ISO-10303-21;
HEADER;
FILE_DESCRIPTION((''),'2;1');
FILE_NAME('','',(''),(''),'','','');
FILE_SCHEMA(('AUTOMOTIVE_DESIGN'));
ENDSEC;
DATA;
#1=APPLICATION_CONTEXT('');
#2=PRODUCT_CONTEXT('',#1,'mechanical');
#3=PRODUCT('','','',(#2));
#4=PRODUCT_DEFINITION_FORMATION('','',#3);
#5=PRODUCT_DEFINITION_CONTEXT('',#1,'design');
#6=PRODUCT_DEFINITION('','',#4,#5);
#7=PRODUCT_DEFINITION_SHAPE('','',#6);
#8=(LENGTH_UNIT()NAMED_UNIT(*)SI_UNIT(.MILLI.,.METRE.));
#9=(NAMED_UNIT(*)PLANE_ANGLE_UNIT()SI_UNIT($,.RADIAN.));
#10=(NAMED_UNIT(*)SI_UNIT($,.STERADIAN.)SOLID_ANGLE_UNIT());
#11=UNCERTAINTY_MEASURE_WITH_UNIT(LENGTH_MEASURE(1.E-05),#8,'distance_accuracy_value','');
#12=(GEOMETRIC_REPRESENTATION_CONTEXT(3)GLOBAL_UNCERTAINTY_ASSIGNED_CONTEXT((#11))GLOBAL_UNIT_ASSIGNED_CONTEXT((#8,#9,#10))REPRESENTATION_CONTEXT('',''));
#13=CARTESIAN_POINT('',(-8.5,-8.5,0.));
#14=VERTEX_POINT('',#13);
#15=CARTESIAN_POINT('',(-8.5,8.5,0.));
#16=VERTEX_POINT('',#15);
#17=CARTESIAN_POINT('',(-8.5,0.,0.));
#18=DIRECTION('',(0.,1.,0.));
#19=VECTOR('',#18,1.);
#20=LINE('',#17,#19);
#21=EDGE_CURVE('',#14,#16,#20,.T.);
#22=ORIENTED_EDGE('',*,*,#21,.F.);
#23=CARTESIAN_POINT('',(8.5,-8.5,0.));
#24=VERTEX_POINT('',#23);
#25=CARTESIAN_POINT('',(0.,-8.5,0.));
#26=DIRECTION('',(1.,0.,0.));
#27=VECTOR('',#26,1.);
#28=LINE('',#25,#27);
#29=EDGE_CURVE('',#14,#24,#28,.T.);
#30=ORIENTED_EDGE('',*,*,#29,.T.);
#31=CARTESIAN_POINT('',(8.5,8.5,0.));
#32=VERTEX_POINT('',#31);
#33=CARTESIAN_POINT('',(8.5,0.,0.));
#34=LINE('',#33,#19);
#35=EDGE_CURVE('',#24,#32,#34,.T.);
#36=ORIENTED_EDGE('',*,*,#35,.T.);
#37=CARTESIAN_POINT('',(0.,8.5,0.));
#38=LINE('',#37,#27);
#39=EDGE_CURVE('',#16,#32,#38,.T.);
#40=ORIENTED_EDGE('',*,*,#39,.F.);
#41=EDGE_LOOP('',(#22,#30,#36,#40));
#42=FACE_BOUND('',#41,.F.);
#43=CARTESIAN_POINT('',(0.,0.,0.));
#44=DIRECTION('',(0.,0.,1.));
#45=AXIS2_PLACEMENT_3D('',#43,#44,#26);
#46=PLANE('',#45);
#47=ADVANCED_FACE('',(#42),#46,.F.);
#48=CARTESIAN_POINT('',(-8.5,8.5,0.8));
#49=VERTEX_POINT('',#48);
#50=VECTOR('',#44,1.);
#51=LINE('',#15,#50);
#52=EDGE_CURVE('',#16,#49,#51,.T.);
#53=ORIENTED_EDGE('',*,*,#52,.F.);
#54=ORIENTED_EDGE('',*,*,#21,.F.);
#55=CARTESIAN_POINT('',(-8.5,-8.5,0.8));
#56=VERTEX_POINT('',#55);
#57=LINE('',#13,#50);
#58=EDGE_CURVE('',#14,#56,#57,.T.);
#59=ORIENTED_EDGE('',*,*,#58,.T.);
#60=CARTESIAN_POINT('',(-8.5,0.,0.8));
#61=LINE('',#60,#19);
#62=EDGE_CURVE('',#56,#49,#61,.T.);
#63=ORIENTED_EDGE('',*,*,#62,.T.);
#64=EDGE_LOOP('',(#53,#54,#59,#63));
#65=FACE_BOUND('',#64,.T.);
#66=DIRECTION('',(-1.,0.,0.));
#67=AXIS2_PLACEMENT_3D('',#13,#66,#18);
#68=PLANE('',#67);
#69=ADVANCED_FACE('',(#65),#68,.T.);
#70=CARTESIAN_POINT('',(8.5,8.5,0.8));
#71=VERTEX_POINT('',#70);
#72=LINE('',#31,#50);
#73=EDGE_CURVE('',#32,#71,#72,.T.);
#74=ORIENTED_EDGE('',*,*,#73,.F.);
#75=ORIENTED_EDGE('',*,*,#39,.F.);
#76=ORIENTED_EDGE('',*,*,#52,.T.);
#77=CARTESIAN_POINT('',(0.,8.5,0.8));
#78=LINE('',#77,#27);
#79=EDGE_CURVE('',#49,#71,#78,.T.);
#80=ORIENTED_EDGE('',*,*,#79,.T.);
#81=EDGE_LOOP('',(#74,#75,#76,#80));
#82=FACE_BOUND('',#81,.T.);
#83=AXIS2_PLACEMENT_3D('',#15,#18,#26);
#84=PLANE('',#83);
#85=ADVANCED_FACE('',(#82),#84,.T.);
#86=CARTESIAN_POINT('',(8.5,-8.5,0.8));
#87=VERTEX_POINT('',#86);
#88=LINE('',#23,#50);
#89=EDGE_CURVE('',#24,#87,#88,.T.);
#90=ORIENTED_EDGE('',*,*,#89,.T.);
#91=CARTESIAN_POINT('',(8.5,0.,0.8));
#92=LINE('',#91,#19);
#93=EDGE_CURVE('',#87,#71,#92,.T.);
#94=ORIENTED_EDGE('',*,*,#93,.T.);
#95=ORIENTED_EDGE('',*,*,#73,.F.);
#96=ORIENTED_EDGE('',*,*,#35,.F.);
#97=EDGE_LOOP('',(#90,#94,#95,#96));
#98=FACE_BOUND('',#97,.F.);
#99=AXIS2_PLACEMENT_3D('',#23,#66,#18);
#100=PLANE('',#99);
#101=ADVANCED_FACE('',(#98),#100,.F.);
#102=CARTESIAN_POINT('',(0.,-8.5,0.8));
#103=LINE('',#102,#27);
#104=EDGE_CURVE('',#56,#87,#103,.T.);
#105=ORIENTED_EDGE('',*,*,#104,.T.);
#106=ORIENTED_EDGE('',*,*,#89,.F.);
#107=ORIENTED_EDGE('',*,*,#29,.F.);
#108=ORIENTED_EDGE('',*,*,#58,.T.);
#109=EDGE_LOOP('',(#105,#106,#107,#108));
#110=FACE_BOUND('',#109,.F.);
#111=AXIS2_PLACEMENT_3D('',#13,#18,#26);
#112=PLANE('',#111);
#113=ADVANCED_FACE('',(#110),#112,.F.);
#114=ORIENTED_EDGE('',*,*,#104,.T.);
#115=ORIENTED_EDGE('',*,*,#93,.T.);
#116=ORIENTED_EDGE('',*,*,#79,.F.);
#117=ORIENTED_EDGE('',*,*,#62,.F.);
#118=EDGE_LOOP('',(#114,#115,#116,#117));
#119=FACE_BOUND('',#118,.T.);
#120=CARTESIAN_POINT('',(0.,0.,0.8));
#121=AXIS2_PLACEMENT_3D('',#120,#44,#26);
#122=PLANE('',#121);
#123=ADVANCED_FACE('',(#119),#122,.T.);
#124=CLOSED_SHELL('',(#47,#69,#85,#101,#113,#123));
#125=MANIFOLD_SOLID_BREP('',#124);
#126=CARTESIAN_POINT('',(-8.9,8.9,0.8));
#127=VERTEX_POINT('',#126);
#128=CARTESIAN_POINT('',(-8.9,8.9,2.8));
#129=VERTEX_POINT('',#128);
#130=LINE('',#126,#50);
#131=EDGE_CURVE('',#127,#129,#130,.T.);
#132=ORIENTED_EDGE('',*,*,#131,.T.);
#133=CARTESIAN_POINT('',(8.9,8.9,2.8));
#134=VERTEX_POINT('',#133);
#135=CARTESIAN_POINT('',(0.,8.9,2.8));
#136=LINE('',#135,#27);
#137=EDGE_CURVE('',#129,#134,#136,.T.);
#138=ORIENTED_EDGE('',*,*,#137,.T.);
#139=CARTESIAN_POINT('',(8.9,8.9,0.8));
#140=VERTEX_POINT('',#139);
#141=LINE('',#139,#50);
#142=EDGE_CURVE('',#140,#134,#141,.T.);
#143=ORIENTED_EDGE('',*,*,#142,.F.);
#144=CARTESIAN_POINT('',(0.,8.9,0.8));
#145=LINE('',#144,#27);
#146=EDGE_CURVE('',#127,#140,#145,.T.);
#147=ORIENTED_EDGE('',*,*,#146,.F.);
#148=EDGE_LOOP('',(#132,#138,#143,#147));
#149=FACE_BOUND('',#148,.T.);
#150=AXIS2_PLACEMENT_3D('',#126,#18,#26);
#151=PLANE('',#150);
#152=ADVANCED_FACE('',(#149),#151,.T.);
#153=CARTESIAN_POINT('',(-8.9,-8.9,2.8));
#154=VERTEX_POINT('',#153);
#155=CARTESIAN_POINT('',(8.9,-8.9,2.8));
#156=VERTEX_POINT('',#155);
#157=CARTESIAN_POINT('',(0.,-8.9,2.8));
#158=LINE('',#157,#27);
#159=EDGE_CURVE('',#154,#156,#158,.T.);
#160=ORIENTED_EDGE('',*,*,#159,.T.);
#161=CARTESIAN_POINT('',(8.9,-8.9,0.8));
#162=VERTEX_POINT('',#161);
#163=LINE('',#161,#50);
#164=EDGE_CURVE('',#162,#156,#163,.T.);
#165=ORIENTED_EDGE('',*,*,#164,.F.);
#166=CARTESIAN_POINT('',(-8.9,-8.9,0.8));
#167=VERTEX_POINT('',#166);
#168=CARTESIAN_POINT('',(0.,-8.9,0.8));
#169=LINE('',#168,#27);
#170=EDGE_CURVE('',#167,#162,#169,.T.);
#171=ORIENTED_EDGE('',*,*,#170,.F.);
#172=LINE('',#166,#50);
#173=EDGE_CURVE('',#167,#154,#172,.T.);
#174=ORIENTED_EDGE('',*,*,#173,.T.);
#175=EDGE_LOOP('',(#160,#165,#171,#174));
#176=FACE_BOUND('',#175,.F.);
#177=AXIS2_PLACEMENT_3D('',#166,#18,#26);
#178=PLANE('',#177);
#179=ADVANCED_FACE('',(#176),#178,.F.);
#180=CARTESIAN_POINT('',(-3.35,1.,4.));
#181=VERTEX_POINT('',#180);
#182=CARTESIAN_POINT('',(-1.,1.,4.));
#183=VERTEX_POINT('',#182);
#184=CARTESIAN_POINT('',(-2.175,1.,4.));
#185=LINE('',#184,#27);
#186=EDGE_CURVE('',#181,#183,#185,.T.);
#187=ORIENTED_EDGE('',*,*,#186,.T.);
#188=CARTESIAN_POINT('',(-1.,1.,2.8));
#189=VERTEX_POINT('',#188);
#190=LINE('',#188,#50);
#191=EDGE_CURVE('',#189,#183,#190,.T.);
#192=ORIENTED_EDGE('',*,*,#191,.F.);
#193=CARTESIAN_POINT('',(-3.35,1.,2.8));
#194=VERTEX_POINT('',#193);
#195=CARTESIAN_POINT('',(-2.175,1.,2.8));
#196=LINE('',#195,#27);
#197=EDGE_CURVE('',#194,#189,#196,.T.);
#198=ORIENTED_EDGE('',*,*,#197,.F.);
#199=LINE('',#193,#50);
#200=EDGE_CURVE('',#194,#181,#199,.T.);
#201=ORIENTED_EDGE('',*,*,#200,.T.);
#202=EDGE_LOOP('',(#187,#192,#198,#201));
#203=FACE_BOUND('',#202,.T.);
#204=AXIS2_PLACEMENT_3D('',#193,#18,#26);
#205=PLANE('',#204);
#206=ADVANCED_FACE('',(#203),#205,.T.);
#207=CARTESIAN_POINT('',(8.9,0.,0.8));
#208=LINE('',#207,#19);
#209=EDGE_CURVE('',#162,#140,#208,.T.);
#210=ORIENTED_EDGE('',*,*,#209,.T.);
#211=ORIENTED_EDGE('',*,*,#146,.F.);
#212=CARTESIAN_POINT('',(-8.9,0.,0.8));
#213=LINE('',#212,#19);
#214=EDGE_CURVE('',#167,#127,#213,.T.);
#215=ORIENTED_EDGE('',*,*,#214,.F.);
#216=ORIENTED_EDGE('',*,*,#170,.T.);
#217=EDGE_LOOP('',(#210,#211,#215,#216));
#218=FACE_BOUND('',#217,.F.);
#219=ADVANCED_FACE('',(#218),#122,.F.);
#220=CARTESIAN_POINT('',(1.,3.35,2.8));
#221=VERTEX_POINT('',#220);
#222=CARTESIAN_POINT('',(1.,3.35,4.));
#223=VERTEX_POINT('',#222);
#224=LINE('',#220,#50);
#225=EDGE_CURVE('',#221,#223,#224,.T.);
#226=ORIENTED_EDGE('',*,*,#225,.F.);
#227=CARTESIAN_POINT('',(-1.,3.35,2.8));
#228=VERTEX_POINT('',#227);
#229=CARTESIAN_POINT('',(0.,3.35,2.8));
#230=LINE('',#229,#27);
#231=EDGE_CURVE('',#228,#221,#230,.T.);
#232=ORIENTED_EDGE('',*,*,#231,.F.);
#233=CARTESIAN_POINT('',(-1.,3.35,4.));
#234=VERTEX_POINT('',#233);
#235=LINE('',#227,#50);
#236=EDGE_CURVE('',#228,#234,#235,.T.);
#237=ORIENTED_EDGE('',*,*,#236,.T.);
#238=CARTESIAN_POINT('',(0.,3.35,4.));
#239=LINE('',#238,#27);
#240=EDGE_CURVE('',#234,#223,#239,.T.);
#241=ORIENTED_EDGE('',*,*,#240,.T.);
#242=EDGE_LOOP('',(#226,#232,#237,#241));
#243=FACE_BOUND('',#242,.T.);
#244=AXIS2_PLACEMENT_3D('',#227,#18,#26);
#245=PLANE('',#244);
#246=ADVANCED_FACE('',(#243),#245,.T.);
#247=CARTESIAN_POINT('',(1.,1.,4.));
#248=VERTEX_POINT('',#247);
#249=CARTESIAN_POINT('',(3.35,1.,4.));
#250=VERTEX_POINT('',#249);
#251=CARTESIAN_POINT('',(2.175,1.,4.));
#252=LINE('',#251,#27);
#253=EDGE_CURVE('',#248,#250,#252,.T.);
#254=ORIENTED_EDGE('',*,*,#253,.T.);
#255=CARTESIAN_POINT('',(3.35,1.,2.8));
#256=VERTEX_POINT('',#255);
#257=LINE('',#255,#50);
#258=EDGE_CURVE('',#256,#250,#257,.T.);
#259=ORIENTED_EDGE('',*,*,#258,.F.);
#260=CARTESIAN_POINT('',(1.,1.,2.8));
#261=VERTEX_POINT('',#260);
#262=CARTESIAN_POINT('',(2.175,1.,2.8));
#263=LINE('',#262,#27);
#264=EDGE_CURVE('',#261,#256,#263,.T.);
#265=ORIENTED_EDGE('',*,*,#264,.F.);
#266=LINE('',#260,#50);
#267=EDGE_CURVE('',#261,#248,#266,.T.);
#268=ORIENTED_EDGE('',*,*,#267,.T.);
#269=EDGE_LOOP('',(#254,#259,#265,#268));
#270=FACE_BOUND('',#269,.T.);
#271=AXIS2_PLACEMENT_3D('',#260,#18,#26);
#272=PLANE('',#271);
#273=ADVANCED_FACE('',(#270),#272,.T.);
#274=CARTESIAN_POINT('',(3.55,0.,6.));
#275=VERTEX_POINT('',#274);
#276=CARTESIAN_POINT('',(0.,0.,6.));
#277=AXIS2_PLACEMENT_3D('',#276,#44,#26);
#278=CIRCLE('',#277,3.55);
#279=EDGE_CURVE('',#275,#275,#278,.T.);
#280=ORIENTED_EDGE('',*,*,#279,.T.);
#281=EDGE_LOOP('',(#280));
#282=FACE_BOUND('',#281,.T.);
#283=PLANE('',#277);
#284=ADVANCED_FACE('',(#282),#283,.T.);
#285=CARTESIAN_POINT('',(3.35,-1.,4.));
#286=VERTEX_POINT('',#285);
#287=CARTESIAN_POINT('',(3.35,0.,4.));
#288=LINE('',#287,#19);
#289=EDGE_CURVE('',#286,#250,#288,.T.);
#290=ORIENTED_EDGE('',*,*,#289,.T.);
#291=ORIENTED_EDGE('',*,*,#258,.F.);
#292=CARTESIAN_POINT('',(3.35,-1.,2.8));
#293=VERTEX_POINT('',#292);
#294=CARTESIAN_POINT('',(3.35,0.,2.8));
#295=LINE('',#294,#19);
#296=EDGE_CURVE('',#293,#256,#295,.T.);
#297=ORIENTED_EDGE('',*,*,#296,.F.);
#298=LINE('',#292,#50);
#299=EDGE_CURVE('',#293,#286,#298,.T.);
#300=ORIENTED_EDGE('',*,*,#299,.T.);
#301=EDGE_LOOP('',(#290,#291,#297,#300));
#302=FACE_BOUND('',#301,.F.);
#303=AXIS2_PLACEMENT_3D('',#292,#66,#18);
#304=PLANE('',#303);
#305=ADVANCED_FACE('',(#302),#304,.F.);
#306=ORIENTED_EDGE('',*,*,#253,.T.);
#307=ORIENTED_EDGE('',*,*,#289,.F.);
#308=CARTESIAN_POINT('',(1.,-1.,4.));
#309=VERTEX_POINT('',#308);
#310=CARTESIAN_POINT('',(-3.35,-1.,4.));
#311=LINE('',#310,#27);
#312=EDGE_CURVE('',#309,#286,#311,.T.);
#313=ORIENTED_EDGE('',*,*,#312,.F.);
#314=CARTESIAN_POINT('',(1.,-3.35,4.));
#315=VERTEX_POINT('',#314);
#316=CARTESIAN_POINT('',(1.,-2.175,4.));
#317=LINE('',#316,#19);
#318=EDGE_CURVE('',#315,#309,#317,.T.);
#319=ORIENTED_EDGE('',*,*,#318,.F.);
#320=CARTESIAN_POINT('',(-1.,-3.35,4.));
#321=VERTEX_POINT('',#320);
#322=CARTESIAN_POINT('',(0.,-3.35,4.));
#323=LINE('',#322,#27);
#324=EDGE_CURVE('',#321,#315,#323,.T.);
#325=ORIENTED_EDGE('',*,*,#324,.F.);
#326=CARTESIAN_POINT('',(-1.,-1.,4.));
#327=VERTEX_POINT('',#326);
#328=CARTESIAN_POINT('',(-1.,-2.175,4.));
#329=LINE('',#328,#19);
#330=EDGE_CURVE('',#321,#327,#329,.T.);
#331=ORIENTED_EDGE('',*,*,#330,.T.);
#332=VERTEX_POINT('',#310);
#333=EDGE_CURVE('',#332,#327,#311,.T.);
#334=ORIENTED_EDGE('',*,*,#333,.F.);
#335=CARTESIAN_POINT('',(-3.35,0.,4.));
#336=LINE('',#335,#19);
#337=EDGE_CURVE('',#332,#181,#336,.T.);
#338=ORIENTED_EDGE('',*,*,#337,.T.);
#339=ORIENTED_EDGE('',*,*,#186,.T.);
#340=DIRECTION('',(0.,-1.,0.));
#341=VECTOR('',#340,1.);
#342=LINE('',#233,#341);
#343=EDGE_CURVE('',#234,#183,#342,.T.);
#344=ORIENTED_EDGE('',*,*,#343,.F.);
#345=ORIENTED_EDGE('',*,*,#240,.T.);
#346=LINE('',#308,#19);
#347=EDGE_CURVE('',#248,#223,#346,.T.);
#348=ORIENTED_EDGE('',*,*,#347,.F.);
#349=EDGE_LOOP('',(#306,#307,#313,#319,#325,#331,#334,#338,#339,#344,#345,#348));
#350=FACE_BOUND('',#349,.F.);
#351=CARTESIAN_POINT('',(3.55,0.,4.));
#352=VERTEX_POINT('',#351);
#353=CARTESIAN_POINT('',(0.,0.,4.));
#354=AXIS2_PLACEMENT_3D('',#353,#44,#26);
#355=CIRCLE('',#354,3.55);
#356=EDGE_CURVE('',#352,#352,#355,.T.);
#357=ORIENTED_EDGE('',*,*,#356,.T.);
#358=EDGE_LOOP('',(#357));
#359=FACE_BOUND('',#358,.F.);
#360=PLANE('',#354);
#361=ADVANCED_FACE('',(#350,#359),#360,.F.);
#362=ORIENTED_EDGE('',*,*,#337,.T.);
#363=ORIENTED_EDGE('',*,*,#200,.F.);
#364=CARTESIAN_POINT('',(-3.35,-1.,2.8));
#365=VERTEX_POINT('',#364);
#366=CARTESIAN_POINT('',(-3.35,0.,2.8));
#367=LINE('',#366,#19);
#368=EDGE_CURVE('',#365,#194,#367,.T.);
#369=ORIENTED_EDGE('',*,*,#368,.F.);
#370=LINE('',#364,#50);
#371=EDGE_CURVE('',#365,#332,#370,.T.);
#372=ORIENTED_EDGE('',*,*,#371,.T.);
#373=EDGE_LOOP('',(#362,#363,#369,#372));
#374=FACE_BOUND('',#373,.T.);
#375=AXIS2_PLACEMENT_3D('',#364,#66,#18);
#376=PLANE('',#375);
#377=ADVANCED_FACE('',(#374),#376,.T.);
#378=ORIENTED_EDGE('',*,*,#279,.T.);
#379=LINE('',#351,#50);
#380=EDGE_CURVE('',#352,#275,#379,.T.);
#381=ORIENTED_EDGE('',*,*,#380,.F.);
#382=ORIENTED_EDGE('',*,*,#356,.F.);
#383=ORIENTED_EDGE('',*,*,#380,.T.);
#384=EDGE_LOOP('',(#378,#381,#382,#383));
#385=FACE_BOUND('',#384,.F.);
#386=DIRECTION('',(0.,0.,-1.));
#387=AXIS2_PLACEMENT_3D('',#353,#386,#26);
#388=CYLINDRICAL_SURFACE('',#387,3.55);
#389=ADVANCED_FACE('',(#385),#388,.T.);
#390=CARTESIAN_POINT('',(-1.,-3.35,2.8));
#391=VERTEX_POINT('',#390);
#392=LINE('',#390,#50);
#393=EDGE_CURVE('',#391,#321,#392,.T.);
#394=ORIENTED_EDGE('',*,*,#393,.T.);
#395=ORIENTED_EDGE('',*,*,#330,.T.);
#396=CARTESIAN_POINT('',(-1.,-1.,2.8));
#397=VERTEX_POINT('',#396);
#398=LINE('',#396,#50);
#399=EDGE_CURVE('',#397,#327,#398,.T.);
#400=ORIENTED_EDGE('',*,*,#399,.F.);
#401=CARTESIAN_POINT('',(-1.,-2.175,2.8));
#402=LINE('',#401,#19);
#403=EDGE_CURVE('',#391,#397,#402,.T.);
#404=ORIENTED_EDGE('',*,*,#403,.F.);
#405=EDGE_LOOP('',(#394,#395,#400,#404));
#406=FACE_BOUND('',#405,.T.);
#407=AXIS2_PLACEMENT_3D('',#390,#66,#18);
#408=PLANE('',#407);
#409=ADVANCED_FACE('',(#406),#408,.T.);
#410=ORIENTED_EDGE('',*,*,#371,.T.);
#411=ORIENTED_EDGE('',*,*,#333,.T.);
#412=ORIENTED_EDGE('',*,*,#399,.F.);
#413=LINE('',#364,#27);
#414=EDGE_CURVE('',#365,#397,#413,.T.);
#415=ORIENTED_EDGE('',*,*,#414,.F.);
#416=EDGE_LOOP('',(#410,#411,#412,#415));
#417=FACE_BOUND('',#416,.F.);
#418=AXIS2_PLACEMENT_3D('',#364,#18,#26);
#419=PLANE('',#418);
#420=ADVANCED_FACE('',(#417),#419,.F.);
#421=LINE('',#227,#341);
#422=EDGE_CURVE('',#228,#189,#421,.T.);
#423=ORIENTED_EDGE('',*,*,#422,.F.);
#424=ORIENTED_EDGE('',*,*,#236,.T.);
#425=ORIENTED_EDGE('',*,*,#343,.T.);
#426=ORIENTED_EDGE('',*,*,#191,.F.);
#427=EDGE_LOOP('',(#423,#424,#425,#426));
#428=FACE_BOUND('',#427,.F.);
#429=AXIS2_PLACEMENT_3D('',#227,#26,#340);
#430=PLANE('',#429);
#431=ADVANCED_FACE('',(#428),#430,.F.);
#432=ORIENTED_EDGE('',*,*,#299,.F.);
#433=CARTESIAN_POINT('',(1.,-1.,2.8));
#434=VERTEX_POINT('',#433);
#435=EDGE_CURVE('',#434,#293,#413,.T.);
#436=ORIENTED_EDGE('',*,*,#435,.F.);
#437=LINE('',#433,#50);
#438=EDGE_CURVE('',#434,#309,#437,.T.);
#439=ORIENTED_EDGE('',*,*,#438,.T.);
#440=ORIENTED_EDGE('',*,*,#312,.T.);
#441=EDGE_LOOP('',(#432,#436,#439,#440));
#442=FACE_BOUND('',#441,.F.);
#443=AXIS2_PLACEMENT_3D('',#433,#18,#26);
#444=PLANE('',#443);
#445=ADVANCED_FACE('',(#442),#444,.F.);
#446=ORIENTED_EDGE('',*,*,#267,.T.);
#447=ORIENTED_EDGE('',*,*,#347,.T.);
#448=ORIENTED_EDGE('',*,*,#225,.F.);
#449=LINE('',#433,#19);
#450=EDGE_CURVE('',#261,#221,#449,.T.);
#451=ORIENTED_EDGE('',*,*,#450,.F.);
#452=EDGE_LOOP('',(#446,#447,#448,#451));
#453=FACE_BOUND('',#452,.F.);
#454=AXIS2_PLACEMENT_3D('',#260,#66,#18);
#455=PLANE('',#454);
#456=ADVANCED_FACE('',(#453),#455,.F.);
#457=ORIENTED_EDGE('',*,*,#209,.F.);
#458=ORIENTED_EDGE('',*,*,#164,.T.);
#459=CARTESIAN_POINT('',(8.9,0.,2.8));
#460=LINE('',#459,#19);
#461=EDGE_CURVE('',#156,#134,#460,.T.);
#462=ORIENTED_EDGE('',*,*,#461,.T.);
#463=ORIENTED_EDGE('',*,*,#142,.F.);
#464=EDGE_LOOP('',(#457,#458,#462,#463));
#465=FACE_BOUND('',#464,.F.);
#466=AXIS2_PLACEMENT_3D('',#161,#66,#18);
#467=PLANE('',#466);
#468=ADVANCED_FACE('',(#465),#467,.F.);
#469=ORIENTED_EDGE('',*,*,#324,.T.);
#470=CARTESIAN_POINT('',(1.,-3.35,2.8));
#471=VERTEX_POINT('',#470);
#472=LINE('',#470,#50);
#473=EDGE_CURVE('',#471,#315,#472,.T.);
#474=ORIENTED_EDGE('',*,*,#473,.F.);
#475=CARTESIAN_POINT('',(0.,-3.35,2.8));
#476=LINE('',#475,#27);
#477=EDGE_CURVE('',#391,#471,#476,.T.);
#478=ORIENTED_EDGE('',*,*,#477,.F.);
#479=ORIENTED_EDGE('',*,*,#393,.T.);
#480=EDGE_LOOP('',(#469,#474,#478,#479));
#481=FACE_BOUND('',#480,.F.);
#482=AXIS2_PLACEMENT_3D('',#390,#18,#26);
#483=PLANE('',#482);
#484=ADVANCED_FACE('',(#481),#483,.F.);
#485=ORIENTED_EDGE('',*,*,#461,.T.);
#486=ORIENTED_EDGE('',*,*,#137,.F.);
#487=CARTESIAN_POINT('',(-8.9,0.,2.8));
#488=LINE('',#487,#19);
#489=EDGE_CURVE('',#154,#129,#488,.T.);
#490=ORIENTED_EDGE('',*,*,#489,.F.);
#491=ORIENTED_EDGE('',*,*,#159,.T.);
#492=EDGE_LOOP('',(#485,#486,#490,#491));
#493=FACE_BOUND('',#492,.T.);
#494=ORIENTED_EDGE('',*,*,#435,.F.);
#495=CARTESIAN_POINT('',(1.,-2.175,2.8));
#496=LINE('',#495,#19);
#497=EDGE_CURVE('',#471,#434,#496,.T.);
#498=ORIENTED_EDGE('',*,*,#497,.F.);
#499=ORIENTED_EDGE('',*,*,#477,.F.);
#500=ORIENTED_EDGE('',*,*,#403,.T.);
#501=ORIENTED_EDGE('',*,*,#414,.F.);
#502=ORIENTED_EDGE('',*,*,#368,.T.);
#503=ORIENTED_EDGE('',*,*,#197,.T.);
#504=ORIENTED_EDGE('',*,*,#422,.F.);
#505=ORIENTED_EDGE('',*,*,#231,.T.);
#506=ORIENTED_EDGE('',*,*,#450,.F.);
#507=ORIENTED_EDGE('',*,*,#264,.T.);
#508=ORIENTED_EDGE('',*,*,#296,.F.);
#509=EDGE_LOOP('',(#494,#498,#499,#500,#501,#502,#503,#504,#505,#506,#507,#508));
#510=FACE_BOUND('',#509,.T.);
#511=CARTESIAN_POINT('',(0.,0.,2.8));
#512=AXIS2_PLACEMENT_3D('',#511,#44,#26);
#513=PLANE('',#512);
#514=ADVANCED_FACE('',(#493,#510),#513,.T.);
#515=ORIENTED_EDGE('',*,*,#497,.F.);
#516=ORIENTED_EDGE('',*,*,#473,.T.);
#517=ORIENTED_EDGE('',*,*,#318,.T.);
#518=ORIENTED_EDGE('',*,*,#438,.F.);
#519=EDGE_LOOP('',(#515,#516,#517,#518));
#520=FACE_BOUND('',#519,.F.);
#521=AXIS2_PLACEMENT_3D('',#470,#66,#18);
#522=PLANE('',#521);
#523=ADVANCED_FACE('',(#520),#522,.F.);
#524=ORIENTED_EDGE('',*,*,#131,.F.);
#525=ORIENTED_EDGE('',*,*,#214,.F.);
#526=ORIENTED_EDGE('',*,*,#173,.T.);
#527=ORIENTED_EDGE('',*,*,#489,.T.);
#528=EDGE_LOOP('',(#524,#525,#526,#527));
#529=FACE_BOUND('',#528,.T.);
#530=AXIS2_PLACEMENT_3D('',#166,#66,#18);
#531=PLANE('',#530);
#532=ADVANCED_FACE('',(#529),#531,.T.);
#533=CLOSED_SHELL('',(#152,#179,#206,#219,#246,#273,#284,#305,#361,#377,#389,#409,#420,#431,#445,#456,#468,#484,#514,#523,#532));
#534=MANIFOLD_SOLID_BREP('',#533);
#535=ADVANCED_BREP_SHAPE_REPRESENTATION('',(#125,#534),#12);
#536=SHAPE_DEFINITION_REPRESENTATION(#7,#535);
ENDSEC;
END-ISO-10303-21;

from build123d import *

# Parameters (mm, degrees)
F1_W     = 17
F1_H     = 17
F2_DEPTH = 0.8
F3_W     = 17.8
F3_H     = 17.8
F3_W_2   = 17
F3_H_2   = 17
F4_DEPTH = 2
F5_W     = 2
F5_H     = 2.35
F5_H_2   = 2
F5_W_2   = 2.35
F6_DEPTH = 1.2
F7_R     = 3.55
F8_DEPTH = 2


with BuildPart() as f2:
    # F1 (on Top) → F2 (new body)
    with BuildSketch(Plane.XY):
        Rectangle(F1_W, F1_H)
    extrude(amount=F2_DEPTH)


with BuildPart() as f4:
    # F3 (on face) → F4 (new body)
    with BuildSketch(Plane.XY.offset(0.8)):
        Rectangle(F3_W, F3_H)
        Rectangle(F3_W_2, F3_H_2, mode=Mode.SUBTRACT)
        Rectangle(F3_W_2, F3_H_2)
    extrude(amount=F4_DEPTH)

    # F5 (on face) → F6 (join)
    with BuildSketch(Plane.XY.offset(2.8)):
        with Locations((0, 2.175)):
            Rectangle(F5_W, F5_H)
        Rectangle(F5_W, F5_H_2)
        with Locations((2.175, 0)):
            Rectangle(F5_W_2, F5_H_2)
        with Locations((-2.175, 0)):
            Rectangle(F5_W_2, F5_H_2)
        with Locations((0, -2.175)):
            Rectangle(F5_W, F5_H)
    extrude(amount=F6_DEPTH)

    # F7 (on face) → F8 (join)
    with BuildSketch(Plane.XY.offset(4)):
        Circle(F7_R)
        Polygon((-1, 3.35), (1, 3.35), (1, 1), (3.35, 1), (3.35, -1), (1, -1), (1, -3.35), (-1, -3.35), (-1, -1), (-3.35, -1), (-3.35, 1), (-1, 1), align=None, mode=Mode.SUBTRACT)
        Polygon((1, 1), (1, 3.35), (-1, 3.35), (-1, 1), (-3.35, 1), (-3.35, -1), (-1, -1), (-1, -3.35), (1, -3.35), (1, -1), (3.35, -1), (3.35, 1), align=None)
    extrude(amount=F8_DEPTH)


solid = Compound([f2.part, f4.part])
